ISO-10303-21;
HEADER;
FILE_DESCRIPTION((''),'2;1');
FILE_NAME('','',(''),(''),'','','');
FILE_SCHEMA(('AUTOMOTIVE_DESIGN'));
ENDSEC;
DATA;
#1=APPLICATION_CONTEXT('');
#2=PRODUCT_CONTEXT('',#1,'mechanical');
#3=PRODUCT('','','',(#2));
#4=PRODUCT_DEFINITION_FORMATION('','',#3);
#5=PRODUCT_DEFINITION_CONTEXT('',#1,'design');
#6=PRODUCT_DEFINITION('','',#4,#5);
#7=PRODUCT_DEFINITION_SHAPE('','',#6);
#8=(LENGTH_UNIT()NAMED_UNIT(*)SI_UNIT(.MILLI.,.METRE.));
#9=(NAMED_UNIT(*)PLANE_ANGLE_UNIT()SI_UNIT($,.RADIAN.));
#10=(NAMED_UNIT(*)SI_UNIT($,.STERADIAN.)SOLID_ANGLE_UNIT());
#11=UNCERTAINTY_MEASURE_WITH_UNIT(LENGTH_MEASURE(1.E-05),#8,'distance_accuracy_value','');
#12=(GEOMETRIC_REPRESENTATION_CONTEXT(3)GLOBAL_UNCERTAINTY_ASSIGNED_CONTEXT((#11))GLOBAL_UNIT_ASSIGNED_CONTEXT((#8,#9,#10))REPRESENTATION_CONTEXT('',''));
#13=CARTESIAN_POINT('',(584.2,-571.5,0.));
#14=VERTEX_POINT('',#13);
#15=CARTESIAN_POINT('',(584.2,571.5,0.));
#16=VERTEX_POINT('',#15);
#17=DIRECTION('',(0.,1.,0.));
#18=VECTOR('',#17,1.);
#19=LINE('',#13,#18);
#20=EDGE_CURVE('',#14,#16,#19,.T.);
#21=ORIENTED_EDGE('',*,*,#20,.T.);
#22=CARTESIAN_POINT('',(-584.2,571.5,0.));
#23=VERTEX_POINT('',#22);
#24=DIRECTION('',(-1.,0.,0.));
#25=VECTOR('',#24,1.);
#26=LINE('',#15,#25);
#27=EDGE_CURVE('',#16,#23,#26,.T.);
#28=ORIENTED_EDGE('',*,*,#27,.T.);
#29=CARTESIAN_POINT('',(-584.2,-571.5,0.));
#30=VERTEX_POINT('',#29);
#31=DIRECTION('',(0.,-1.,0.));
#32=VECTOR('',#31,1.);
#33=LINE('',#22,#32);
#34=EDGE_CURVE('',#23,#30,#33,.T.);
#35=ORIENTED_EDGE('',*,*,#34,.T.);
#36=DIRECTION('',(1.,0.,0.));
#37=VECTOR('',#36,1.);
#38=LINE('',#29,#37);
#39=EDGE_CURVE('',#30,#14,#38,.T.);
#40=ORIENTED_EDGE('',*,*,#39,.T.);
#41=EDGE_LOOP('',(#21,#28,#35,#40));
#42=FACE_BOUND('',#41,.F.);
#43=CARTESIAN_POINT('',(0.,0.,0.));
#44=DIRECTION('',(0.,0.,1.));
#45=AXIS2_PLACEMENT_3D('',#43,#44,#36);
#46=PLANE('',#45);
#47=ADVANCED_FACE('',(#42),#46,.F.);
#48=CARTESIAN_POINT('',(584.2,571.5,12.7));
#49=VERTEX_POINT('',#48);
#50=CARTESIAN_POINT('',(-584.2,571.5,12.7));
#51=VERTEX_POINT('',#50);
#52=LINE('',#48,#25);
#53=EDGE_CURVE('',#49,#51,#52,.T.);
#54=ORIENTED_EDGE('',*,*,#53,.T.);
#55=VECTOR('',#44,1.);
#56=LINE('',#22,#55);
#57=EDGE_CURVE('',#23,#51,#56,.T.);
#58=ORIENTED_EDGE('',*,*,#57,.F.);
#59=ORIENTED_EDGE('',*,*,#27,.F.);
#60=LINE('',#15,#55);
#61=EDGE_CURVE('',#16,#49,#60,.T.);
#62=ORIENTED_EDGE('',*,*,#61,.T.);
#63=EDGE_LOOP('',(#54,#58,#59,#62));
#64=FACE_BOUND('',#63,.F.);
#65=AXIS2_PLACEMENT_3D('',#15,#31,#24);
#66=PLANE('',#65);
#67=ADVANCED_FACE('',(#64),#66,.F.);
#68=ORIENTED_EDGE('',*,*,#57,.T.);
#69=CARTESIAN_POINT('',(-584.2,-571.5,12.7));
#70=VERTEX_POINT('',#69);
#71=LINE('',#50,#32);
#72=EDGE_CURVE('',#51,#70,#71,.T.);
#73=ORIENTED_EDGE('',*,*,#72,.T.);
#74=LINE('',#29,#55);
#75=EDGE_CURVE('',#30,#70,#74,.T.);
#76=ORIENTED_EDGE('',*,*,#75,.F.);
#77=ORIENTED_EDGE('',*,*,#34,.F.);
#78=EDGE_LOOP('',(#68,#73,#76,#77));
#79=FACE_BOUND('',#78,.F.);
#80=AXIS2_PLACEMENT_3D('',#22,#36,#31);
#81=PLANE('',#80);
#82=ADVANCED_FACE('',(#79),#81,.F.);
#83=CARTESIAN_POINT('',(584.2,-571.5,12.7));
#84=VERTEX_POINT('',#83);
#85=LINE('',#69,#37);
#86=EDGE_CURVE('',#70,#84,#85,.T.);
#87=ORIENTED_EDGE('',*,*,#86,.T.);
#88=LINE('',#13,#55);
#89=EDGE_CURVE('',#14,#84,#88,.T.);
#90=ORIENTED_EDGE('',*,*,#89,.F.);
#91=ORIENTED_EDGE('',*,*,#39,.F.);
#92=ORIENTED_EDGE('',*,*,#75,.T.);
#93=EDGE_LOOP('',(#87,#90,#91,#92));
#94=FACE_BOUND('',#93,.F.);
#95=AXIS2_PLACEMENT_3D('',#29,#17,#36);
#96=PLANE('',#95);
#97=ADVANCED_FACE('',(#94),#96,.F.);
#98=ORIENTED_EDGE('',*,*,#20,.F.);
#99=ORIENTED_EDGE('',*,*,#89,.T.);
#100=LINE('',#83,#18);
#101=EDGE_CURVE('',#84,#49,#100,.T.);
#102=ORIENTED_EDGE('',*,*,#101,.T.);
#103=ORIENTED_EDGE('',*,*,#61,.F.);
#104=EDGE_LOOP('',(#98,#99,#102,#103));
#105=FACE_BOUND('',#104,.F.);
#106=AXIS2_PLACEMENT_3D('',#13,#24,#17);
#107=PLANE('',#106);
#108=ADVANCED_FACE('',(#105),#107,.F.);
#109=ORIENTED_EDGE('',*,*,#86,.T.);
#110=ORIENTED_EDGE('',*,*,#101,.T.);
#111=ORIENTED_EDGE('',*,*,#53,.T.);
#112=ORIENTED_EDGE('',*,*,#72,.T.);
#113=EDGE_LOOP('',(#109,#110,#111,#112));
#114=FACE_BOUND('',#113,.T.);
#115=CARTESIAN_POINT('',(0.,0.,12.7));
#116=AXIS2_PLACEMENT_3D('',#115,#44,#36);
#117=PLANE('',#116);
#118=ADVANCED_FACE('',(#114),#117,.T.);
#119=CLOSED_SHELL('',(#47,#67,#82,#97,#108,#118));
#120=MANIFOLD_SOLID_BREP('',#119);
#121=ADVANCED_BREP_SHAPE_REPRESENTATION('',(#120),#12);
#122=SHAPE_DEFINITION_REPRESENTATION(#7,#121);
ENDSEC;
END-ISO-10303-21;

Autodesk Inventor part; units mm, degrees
ref_plane "YZ Plane" through (0, 0, 0) normal (1, 0, 0) x (0, 1, 0)
ref_plane "XZ Plane" through (0, 0, 0) normal (0, 1, 0) x (-1, 0, 0)
ref_plane "XY Plane" through (0, 0, 0) normal (0, 0, 1) x (1, 0, 0)
sketch "Sketch1" plane through (0, 0, 0) normal (0, 0, 1) x (1, 0, 0)
  line L0 (-584.2, -571.5) -> (584.2, -571.5)
  line L1 (584.2, -571.5) -> (584.2, 571.5)
  line L2 (584.2, 571.5) -> (-584.2, 571.5)
  line L3 (-584.2, 571.5) -> (-584.2, -571.5)
  line L4 (-584.2, -571.5) -> (584.2, 571.5) construction
  line L5 (584.2, -571.5) -> (-584.2, 571.5) construction
  point P0 (0, 0)
  dimension "d0" = 1168.4
  dimension "d1" = 1143
extrude "Extrusion1" add sketch "Sketch1" along normal blind 12.7
properties part number "right_0_2"
